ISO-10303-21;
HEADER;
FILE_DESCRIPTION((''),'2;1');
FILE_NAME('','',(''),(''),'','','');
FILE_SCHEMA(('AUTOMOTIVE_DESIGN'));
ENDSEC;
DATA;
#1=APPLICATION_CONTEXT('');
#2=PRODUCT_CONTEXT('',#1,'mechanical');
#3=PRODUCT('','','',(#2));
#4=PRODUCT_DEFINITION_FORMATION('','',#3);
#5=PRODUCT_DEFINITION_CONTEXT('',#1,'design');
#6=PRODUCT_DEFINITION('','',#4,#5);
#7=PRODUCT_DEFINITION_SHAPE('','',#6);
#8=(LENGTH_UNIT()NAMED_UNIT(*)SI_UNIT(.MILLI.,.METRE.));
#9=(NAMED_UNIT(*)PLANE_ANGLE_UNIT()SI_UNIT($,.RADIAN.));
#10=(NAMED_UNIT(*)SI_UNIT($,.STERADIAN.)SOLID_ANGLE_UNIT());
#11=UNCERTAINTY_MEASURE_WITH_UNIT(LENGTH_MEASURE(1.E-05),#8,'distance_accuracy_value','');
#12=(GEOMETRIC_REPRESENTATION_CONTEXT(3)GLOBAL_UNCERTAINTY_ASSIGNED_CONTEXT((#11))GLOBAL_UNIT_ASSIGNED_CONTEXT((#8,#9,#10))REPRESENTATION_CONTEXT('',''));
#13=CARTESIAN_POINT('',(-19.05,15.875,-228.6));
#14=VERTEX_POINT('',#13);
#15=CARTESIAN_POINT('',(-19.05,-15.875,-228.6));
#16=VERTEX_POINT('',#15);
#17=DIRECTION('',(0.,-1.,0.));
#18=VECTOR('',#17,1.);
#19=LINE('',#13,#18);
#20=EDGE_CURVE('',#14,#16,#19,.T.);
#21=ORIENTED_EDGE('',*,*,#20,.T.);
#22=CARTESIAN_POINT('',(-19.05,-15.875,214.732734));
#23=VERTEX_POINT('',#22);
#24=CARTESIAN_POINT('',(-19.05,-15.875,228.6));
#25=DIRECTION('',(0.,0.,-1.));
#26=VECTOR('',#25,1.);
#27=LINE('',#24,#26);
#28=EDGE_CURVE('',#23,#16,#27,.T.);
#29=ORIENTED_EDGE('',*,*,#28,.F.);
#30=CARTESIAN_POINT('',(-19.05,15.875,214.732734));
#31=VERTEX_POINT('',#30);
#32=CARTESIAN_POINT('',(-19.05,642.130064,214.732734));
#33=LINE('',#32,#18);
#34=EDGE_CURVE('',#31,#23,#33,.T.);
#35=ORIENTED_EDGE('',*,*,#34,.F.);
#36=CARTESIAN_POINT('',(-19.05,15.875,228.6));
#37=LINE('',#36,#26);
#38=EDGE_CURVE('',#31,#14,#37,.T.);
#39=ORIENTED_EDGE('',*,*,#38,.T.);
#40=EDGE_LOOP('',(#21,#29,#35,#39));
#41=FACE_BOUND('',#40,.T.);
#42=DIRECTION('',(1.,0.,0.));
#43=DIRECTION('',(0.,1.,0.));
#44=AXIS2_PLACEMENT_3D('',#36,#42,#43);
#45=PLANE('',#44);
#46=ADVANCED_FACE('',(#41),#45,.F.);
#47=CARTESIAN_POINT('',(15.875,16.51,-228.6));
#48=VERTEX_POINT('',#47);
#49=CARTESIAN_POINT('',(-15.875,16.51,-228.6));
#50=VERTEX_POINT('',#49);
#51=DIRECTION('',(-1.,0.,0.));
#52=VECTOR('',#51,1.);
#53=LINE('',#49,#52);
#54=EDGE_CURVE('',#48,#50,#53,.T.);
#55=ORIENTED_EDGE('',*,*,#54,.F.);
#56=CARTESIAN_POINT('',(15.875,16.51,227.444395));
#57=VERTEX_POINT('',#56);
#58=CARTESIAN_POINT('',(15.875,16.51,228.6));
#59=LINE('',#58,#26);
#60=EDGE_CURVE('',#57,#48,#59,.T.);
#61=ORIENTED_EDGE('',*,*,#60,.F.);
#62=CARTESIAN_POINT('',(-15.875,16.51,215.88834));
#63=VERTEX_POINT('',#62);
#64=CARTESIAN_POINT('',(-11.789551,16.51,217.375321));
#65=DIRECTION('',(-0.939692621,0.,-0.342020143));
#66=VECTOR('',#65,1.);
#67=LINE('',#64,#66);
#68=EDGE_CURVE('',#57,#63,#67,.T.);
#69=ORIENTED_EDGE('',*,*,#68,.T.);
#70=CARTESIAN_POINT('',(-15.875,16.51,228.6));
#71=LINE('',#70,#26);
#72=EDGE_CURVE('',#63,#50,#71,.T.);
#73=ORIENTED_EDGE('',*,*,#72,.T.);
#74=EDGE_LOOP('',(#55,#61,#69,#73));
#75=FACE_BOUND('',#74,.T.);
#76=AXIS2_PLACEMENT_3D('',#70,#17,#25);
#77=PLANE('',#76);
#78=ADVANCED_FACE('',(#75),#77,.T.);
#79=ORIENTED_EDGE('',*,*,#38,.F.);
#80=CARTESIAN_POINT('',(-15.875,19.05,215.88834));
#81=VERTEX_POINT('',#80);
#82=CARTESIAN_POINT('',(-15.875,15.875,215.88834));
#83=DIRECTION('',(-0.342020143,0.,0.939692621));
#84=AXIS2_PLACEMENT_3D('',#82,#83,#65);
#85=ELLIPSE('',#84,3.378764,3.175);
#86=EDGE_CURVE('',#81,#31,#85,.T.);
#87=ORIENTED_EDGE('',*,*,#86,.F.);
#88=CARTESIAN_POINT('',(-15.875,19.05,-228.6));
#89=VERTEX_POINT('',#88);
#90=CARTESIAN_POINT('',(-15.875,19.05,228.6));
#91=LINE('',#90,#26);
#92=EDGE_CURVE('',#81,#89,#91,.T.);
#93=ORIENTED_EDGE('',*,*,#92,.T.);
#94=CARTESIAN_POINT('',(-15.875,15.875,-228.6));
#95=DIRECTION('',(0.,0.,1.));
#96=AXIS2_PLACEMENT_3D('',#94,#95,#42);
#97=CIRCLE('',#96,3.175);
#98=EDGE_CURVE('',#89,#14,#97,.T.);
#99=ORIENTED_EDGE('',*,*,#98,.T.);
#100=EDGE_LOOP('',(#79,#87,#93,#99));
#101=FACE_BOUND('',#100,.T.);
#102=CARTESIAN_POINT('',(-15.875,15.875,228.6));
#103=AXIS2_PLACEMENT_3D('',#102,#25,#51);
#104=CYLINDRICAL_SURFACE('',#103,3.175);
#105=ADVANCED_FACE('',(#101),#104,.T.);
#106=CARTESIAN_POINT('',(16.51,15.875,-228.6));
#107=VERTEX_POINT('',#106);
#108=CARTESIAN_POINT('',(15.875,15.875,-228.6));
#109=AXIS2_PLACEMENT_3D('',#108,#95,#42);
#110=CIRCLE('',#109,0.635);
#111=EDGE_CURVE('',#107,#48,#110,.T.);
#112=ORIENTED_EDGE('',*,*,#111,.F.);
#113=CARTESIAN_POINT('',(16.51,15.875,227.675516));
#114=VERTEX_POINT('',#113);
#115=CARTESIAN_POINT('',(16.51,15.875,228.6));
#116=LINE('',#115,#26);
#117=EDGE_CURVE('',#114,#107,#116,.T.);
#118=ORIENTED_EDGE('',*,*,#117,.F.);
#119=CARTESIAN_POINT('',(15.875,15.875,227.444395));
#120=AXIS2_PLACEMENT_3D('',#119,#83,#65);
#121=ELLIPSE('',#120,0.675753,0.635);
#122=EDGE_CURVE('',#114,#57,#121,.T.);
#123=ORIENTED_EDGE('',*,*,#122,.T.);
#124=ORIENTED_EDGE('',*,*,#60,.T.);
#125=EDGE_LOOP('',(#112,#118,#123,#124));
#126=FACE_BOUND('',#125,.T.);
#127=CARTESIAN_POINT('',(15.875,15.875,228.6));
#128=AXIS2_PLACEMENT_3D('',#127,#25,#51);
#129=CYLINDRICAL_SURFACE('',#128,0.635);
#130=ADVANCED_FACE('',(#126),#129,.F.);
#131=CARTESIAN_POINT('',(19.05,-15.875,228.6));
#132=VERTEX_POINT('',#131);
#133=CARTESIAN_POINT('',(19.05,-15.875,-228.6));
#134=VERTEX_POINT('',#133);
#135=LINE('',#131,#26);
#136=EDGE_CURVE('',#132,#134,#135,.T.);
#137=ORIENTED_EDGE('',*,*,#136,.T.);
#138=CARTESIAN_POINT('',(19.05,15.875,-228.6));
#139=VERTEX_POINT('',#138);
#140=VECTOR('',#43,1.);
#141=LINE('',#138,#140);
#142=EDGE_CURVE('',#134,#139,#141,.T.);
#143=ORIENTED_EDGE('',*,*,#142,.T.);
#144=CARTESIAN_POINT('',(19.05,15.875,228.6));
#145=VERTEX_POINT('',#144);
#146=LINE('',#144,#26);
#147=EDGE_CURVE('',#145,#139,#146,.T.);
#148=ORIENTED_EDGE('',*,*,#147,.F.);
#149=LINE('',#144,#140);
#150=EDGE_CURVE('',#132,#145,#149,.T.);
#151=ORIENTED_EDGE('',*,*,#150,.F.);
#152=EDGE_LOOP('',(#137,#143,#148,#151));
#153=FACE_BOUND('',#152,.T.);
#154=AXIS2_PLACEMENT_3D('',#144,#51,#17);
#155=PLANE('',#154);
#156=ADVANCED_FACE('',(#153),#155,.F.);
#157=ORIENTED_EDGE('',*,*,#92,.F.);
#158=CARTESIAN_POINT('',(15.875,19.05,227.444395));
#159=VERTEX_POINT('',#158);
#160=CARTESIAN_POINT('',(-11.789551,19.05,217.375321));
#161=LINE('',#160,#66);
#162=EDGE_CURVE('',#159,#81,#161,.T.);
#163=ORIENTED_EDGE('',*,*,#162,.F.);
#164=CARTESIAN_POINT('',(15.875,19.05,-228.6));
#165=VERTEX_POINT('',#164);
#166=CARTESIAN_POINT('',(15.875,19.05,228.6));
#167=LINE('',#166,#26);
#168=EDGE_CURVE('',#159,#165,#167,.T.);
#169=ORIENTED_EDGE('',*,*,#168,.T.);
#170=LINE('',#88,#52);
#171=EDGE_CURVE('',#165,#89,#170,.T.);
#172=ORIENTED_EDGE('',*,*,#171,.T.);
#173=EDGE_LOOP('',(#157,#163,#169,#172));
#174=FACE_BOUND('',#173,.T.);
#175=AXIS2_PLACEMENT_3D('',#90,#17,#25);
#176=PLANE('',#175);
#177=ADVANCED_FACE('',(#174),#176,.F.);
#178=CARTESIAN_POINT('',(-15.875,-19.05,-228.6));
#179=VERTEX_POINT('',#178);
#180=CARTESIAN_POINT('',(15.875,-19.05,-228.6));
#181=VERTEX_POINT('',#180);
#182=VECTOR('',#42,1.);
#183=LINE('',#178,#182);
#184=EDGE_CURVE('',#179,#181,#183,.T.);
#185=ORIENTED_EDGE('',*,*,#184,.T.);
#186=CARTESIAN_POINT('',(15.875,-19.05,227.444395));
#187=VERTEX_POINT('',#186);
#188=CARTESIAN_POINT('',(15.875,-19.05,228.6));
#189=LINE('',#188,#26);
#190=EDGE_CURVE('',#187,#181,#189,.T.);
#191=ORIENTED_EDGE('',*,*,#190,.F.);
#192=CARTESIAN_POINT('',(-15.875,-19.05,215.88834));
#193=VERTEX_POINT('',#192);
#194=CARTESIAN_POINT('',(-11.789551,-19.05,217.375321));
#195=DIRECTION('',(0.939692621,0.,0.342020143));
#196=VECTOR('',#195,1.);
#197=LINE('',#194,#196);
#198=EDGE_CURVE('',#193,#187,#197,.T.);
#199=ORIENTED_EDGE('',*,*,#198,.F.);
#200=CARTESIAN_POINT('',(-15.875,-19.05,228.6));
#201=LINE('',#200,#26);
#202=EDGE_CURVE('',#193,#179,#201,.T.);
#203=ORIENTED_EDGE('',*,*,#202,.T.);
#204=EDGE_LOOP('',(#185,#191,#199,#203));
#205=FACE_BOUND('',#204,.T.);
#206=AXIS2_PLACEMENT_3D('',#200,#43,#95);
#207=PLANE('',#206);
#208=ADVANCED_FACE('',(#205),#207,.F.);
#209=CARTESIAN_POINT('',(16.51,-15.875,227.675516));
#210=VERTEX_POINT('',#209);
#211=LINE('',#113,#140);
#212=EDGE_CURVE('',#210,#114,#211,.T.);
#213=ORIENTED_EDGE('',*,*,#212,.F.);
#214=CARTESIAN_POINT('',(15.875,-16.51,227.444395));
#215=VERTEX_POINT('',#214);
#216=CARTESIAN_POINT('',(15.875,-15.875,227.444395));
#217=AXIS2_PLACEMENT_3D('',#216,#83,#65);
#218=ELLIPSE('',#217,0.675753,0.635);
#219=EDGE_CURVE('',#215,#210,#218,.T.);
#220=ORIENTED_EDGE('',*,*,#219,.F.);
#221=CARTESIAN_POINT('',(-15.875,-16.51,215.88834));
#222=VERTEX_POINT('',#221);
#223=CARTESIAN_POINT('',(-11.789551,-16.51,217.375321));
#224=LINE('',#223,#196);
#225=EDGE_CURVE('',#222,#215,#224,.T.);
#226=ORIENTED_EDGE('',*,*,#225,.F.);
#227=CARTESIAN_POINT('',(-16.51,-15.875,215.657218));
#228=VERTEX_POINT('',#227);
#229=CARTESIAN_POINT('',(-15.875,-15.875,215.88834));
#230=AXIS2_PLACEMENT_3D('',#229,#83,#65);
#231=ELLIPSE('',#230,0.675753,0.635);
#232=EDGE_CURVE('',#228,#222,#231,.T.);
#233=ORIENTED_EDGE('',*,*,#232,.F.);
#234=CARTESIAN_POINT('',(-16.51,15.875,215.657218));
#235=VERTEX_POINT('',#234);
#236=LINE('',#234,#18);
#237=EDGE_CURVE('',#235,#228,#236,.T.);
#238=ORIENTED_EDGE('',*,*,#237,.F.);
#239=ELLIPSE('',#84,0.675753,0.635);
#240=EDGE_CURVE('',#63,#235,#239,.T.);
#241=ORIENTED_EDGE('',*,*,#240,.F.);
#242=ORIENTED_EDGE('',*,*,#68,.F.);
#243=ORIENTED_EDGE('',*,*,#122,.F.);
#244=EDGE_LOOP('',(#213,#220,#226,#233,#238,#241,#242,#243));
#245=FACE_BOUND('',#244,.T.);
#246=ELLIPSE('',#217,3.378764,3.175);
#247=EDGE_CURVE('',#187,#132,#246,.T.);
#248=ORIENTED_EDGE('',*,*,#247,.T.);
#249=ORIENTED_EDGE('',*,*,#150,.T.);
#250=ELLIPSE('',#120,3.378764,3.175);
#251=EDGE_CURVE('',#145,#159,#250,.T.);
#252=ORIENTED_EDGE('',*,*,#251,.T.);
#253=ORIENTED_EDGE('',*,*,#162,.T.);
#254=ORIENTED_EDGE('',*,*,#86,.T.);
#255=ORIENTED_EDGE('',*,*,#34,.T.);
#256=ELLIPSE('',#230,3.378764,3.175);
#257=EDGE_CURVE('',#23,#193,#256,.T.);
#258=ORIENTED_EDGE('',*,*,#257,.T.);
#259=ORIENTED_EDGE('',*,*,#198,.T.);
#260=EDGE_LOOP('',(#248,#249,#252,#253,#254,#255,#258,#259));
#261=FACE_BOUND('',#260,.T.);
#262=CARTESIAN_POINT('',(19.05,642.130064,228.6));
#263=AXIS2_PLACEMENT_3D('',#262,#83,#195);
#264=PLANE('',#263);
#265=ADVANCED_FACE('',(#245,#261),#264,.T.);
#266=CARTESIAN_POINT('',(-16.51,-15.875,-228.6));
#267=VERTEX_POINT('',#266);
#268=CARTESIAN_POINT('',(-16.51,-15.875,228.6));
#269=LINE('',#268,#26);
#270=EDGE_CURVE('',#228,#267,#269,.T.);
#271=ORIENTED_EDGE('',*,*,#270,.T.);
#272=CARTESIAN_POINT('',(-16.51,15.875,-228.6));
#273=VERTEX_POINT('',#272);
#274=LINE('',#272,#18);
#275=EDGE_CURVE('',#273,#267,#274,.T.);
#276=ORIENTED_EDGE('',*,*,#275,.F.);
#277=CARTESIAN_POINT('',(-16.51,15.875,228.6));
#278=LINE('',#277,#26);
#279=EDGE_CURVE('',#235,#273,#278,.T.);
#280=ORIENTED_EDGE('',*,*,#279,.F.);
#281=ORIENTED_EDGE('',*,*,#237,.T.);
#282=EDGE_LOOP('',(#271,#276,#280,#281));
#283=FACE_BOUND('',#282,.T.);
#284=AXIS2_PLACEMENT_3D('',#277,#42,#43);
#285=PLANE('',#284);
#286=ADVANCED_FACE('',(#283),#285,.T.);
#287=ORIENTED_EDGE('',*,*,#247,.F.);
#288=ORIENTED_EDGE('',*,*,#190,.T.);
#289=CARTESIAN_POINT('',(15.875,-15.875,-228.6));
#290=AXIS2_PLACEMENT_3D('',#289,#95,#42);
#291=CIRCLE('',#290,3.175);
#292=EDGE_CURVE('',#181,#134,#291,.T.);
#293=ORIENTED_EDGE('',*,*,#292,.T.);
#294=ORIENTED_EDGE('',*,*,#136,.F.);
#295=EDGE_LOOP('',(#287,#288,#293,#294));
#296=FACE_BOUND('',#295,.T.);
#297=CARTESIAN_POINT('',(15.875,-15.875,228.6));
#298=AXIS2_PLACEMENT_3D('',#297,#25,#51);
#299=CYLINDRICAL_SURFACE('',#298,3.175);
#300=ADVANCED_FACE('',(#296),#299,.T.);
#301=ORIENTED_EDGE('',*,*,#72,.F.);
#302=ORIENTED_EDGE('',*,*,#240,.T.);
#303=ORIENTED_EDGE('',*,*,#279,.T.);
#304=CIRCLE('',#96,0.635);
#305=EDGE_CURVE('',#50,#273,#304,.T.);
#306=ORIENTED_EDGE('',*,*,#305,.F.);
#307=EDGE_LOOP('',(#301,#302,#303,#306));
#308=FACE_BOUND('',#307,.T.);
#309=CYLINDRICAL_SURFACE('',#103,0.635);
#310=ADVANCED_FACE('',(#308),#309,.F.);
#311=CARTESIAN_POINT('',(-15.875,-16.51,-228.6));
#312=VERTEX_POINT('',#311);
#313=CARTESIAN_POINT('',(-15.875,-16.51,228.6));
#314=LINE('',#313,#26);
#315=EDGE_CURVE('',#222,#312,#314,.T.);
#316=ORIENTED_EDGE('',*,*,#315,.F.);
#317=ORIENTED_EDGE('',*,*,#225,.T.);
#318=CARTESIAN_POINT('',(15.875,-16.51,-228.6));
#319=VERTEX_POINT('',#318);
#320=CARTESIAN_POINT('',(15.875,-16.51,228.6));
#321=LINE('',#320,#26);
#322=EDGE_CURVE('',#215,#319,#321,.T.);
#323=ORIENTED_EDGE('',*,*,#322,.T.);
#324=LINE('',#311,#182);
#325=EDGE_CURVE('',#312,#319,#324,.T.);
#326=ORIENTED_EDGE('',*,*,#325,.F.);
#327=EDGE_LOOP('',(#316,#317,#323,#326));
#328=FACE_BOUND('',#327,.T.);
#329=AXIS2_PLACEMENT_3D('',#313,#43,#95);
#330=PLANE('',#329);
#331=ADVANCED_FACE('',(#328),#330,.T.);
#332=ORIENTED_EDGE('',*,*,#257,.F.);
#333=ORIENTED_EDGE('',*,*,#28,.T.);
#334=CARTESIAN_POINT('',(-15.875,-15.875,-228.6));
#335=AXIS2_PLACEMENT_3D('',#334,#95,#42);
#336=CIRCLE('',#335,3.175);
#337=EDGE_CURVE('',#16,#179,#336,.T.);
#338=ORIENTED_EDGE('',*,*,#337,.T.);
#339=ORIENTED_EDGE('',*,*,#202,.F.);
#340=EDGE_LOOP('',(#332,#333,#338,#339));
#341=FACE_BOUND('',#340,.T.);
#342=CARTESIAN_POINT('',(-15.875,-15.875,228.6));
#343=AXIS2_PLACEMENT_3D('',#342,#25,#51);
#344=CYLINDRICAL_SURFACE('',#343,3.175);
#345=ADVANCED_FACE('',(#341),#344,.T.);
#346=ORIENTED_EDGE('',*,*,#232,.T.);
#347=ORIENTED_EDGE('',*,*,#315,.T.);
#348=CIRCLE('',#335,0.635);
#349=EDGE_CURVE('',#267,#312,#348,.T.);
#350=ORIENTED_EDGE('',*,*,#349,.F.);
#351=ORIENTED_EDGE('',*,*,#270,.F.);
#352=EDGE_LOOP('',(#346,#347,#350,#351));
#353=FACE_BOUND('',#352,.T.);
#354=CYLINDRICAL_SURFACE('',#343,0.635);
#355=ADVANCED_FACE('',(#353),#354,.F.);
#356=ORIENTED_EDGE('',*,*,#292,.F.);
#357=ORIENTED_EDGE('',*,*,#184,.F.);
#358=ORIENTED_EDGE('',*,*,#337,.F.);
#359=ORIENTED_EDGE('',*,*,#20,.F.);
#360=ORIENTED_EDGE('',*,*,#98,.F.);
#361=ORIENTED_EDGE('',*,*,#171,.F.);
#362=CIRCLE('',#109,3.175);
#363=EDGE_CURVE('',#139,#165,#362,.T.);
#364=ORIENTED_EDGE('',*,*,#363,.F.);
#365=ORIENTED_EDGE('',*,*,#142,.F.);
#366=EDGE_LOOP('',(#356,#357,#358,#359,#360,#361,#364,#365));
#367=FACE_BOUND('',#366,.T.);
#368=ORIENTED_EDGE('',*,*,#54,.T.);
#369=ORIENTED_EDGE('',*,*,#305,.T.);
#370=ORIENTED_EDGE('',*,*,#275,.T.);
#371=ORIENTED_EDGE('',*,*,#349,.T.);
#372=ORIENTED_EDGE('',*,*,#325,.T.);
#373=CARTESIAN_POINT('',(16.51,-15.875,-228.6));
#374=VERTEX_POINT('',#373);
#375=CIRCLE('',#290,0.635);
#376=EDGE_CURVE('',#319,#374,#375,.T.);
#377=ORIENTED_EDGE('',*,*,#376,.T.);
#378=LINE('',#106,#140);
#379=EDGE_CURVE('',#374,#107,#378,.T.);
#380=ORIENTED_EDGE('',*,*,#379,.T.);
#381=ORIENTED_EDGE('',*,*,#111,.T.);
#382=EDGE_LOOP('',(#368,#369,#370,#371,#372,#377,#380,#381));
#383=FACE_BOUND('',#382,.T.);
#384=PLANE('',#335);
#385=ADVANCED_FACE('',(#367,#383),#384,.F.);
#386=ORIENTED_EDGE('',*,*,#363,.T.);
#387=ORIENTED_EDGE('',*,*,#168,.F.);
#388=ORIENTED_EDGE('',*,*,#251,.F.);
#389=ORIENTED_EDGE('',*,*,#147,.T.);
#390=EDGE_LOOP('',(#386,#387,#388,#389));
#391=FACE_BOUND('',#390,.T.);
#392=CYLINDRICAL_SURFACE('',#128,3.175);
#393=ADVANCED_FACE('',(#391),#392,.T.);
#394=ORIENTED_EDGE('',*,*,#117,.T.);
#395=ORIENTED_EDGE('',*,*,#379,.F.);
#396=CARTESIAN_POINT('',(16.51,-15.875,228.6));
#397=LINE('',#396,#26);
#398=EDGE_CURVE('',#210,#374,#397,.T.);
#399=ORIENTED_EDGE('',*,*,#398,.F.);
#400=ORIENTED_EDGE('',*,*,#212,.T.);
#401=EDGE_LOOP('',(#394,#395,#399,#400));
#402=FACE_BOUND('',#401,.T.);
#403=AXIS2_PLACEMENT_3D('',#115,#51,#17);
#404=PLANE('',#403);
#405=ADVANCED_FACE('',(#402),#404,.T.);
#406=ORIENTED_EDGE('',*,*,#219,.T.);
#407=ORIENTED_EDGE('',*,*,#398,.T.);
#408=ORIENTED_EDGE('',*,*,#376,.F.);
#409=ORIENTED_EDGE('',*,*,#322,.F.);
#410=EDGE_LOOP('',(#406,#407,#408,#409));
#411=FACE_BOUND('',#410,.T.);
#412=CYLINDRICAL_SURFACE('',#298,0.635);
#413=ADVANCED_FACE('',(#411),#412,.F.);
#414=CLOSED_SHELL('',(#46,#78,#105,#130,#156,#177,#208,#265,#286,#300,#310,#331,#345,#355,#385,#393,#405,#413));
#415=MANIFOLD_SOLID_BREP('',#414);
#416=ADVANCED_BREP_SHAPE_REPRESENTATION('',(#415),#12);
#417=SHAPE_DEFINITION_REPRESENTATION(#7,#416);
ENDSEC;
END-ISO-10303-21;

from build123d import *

# Parameters (mm, degrees)
EXTRUDE_THIN1_DEPTH     = 228.6
CUT_EXTRUDE1_DEPTH      = 1
CUT_EXTRUDE1_DEPTH_BACK = 39.1


with BuildPart() as part:
    # Sketch1 → Extrude-Thin1 (new body, symmetric)
    with BuildSketch(Plane.XY):
        with BuildLine():
            Line((-15.875, 19.05), (15.875, 19.05))
            ThreePointArc((15.875, 19.05), (18.12006403, 18.12006403), (19.05, 15.875))
            Line((19.05, 15.875), (19.05, -15.875))
            ThreePointArc((19.05, -15.875), (18.12006403, -18.12006403), (15.875, -19.05))
            Line((15.875, -19.05), (-15.875, -19.05))
            ThreePointArc((-15.875, -19.05), (-18.12006403, -18.12006403), (-19.05, -15.875))
            Line((-19.05, -15.875), (-19.05, 15.875))
            ThreePointArc((-19.05, 15.875), (-18.12006403, 18.12006403), (-15.875, 19.05))
        make_face()
        with BuildLine():
            Line((-15.875, 16.51), (15.875, 16.51))
            ThreePointArc((15.875, 16.51), (16.324012806, 16.324012806), (16.51, 15.875))
            Line((16.51, 15.875), (16.51, -15.875))
            ThreePointArc((16.51, -15.875), (16.324012806, -16.324012806), (15.875, -16.51))
            Line((15.875, -16.51), (-15.875, -16.51))
            ThreePointArc((-15.875, -16.51), (-16.324012806, -16.324012806), (-16.51, -15.875))
            Line((-16.51, -15.875), (-16.51, 15.875))
            ThreePointArc((-16.51, 15.875), (-16.324012806, 16.324012806), (-15.875, 16.51))
        make_face(mode=Mode.SUBTRACT)
    extrude(amount=EXTRUDE_THIN1_DEPTH, both=True)

    # Sketch3 → Cut-Extrude1 (cut, two sides)
    with BuildSketch(Plane(origin=(0, 19.05, 0), x_dir=(1, 0, 0), z_dir=(0, 1, 0))) as cut_extrude1_sk:
        Polygon((890.680220904, -545.847455696), (19.05, -228.6), (-19.05, -214.732734074), (-890.680220904, 102.514721621), (-1525.175132295, -1640.745720186), (256.185309512, -2289.107897503), align=None)
    extrude(amount=CUT_EXTRUDE1_DEPTH, mode=Mode.SUBTRACT)
    extrude(cut_extrude1_sk.sketch, amount=-CUT_EXTRUDE1_DEPTH_BACK, mode=Mode.SUBTRACT)


solid = part.part
